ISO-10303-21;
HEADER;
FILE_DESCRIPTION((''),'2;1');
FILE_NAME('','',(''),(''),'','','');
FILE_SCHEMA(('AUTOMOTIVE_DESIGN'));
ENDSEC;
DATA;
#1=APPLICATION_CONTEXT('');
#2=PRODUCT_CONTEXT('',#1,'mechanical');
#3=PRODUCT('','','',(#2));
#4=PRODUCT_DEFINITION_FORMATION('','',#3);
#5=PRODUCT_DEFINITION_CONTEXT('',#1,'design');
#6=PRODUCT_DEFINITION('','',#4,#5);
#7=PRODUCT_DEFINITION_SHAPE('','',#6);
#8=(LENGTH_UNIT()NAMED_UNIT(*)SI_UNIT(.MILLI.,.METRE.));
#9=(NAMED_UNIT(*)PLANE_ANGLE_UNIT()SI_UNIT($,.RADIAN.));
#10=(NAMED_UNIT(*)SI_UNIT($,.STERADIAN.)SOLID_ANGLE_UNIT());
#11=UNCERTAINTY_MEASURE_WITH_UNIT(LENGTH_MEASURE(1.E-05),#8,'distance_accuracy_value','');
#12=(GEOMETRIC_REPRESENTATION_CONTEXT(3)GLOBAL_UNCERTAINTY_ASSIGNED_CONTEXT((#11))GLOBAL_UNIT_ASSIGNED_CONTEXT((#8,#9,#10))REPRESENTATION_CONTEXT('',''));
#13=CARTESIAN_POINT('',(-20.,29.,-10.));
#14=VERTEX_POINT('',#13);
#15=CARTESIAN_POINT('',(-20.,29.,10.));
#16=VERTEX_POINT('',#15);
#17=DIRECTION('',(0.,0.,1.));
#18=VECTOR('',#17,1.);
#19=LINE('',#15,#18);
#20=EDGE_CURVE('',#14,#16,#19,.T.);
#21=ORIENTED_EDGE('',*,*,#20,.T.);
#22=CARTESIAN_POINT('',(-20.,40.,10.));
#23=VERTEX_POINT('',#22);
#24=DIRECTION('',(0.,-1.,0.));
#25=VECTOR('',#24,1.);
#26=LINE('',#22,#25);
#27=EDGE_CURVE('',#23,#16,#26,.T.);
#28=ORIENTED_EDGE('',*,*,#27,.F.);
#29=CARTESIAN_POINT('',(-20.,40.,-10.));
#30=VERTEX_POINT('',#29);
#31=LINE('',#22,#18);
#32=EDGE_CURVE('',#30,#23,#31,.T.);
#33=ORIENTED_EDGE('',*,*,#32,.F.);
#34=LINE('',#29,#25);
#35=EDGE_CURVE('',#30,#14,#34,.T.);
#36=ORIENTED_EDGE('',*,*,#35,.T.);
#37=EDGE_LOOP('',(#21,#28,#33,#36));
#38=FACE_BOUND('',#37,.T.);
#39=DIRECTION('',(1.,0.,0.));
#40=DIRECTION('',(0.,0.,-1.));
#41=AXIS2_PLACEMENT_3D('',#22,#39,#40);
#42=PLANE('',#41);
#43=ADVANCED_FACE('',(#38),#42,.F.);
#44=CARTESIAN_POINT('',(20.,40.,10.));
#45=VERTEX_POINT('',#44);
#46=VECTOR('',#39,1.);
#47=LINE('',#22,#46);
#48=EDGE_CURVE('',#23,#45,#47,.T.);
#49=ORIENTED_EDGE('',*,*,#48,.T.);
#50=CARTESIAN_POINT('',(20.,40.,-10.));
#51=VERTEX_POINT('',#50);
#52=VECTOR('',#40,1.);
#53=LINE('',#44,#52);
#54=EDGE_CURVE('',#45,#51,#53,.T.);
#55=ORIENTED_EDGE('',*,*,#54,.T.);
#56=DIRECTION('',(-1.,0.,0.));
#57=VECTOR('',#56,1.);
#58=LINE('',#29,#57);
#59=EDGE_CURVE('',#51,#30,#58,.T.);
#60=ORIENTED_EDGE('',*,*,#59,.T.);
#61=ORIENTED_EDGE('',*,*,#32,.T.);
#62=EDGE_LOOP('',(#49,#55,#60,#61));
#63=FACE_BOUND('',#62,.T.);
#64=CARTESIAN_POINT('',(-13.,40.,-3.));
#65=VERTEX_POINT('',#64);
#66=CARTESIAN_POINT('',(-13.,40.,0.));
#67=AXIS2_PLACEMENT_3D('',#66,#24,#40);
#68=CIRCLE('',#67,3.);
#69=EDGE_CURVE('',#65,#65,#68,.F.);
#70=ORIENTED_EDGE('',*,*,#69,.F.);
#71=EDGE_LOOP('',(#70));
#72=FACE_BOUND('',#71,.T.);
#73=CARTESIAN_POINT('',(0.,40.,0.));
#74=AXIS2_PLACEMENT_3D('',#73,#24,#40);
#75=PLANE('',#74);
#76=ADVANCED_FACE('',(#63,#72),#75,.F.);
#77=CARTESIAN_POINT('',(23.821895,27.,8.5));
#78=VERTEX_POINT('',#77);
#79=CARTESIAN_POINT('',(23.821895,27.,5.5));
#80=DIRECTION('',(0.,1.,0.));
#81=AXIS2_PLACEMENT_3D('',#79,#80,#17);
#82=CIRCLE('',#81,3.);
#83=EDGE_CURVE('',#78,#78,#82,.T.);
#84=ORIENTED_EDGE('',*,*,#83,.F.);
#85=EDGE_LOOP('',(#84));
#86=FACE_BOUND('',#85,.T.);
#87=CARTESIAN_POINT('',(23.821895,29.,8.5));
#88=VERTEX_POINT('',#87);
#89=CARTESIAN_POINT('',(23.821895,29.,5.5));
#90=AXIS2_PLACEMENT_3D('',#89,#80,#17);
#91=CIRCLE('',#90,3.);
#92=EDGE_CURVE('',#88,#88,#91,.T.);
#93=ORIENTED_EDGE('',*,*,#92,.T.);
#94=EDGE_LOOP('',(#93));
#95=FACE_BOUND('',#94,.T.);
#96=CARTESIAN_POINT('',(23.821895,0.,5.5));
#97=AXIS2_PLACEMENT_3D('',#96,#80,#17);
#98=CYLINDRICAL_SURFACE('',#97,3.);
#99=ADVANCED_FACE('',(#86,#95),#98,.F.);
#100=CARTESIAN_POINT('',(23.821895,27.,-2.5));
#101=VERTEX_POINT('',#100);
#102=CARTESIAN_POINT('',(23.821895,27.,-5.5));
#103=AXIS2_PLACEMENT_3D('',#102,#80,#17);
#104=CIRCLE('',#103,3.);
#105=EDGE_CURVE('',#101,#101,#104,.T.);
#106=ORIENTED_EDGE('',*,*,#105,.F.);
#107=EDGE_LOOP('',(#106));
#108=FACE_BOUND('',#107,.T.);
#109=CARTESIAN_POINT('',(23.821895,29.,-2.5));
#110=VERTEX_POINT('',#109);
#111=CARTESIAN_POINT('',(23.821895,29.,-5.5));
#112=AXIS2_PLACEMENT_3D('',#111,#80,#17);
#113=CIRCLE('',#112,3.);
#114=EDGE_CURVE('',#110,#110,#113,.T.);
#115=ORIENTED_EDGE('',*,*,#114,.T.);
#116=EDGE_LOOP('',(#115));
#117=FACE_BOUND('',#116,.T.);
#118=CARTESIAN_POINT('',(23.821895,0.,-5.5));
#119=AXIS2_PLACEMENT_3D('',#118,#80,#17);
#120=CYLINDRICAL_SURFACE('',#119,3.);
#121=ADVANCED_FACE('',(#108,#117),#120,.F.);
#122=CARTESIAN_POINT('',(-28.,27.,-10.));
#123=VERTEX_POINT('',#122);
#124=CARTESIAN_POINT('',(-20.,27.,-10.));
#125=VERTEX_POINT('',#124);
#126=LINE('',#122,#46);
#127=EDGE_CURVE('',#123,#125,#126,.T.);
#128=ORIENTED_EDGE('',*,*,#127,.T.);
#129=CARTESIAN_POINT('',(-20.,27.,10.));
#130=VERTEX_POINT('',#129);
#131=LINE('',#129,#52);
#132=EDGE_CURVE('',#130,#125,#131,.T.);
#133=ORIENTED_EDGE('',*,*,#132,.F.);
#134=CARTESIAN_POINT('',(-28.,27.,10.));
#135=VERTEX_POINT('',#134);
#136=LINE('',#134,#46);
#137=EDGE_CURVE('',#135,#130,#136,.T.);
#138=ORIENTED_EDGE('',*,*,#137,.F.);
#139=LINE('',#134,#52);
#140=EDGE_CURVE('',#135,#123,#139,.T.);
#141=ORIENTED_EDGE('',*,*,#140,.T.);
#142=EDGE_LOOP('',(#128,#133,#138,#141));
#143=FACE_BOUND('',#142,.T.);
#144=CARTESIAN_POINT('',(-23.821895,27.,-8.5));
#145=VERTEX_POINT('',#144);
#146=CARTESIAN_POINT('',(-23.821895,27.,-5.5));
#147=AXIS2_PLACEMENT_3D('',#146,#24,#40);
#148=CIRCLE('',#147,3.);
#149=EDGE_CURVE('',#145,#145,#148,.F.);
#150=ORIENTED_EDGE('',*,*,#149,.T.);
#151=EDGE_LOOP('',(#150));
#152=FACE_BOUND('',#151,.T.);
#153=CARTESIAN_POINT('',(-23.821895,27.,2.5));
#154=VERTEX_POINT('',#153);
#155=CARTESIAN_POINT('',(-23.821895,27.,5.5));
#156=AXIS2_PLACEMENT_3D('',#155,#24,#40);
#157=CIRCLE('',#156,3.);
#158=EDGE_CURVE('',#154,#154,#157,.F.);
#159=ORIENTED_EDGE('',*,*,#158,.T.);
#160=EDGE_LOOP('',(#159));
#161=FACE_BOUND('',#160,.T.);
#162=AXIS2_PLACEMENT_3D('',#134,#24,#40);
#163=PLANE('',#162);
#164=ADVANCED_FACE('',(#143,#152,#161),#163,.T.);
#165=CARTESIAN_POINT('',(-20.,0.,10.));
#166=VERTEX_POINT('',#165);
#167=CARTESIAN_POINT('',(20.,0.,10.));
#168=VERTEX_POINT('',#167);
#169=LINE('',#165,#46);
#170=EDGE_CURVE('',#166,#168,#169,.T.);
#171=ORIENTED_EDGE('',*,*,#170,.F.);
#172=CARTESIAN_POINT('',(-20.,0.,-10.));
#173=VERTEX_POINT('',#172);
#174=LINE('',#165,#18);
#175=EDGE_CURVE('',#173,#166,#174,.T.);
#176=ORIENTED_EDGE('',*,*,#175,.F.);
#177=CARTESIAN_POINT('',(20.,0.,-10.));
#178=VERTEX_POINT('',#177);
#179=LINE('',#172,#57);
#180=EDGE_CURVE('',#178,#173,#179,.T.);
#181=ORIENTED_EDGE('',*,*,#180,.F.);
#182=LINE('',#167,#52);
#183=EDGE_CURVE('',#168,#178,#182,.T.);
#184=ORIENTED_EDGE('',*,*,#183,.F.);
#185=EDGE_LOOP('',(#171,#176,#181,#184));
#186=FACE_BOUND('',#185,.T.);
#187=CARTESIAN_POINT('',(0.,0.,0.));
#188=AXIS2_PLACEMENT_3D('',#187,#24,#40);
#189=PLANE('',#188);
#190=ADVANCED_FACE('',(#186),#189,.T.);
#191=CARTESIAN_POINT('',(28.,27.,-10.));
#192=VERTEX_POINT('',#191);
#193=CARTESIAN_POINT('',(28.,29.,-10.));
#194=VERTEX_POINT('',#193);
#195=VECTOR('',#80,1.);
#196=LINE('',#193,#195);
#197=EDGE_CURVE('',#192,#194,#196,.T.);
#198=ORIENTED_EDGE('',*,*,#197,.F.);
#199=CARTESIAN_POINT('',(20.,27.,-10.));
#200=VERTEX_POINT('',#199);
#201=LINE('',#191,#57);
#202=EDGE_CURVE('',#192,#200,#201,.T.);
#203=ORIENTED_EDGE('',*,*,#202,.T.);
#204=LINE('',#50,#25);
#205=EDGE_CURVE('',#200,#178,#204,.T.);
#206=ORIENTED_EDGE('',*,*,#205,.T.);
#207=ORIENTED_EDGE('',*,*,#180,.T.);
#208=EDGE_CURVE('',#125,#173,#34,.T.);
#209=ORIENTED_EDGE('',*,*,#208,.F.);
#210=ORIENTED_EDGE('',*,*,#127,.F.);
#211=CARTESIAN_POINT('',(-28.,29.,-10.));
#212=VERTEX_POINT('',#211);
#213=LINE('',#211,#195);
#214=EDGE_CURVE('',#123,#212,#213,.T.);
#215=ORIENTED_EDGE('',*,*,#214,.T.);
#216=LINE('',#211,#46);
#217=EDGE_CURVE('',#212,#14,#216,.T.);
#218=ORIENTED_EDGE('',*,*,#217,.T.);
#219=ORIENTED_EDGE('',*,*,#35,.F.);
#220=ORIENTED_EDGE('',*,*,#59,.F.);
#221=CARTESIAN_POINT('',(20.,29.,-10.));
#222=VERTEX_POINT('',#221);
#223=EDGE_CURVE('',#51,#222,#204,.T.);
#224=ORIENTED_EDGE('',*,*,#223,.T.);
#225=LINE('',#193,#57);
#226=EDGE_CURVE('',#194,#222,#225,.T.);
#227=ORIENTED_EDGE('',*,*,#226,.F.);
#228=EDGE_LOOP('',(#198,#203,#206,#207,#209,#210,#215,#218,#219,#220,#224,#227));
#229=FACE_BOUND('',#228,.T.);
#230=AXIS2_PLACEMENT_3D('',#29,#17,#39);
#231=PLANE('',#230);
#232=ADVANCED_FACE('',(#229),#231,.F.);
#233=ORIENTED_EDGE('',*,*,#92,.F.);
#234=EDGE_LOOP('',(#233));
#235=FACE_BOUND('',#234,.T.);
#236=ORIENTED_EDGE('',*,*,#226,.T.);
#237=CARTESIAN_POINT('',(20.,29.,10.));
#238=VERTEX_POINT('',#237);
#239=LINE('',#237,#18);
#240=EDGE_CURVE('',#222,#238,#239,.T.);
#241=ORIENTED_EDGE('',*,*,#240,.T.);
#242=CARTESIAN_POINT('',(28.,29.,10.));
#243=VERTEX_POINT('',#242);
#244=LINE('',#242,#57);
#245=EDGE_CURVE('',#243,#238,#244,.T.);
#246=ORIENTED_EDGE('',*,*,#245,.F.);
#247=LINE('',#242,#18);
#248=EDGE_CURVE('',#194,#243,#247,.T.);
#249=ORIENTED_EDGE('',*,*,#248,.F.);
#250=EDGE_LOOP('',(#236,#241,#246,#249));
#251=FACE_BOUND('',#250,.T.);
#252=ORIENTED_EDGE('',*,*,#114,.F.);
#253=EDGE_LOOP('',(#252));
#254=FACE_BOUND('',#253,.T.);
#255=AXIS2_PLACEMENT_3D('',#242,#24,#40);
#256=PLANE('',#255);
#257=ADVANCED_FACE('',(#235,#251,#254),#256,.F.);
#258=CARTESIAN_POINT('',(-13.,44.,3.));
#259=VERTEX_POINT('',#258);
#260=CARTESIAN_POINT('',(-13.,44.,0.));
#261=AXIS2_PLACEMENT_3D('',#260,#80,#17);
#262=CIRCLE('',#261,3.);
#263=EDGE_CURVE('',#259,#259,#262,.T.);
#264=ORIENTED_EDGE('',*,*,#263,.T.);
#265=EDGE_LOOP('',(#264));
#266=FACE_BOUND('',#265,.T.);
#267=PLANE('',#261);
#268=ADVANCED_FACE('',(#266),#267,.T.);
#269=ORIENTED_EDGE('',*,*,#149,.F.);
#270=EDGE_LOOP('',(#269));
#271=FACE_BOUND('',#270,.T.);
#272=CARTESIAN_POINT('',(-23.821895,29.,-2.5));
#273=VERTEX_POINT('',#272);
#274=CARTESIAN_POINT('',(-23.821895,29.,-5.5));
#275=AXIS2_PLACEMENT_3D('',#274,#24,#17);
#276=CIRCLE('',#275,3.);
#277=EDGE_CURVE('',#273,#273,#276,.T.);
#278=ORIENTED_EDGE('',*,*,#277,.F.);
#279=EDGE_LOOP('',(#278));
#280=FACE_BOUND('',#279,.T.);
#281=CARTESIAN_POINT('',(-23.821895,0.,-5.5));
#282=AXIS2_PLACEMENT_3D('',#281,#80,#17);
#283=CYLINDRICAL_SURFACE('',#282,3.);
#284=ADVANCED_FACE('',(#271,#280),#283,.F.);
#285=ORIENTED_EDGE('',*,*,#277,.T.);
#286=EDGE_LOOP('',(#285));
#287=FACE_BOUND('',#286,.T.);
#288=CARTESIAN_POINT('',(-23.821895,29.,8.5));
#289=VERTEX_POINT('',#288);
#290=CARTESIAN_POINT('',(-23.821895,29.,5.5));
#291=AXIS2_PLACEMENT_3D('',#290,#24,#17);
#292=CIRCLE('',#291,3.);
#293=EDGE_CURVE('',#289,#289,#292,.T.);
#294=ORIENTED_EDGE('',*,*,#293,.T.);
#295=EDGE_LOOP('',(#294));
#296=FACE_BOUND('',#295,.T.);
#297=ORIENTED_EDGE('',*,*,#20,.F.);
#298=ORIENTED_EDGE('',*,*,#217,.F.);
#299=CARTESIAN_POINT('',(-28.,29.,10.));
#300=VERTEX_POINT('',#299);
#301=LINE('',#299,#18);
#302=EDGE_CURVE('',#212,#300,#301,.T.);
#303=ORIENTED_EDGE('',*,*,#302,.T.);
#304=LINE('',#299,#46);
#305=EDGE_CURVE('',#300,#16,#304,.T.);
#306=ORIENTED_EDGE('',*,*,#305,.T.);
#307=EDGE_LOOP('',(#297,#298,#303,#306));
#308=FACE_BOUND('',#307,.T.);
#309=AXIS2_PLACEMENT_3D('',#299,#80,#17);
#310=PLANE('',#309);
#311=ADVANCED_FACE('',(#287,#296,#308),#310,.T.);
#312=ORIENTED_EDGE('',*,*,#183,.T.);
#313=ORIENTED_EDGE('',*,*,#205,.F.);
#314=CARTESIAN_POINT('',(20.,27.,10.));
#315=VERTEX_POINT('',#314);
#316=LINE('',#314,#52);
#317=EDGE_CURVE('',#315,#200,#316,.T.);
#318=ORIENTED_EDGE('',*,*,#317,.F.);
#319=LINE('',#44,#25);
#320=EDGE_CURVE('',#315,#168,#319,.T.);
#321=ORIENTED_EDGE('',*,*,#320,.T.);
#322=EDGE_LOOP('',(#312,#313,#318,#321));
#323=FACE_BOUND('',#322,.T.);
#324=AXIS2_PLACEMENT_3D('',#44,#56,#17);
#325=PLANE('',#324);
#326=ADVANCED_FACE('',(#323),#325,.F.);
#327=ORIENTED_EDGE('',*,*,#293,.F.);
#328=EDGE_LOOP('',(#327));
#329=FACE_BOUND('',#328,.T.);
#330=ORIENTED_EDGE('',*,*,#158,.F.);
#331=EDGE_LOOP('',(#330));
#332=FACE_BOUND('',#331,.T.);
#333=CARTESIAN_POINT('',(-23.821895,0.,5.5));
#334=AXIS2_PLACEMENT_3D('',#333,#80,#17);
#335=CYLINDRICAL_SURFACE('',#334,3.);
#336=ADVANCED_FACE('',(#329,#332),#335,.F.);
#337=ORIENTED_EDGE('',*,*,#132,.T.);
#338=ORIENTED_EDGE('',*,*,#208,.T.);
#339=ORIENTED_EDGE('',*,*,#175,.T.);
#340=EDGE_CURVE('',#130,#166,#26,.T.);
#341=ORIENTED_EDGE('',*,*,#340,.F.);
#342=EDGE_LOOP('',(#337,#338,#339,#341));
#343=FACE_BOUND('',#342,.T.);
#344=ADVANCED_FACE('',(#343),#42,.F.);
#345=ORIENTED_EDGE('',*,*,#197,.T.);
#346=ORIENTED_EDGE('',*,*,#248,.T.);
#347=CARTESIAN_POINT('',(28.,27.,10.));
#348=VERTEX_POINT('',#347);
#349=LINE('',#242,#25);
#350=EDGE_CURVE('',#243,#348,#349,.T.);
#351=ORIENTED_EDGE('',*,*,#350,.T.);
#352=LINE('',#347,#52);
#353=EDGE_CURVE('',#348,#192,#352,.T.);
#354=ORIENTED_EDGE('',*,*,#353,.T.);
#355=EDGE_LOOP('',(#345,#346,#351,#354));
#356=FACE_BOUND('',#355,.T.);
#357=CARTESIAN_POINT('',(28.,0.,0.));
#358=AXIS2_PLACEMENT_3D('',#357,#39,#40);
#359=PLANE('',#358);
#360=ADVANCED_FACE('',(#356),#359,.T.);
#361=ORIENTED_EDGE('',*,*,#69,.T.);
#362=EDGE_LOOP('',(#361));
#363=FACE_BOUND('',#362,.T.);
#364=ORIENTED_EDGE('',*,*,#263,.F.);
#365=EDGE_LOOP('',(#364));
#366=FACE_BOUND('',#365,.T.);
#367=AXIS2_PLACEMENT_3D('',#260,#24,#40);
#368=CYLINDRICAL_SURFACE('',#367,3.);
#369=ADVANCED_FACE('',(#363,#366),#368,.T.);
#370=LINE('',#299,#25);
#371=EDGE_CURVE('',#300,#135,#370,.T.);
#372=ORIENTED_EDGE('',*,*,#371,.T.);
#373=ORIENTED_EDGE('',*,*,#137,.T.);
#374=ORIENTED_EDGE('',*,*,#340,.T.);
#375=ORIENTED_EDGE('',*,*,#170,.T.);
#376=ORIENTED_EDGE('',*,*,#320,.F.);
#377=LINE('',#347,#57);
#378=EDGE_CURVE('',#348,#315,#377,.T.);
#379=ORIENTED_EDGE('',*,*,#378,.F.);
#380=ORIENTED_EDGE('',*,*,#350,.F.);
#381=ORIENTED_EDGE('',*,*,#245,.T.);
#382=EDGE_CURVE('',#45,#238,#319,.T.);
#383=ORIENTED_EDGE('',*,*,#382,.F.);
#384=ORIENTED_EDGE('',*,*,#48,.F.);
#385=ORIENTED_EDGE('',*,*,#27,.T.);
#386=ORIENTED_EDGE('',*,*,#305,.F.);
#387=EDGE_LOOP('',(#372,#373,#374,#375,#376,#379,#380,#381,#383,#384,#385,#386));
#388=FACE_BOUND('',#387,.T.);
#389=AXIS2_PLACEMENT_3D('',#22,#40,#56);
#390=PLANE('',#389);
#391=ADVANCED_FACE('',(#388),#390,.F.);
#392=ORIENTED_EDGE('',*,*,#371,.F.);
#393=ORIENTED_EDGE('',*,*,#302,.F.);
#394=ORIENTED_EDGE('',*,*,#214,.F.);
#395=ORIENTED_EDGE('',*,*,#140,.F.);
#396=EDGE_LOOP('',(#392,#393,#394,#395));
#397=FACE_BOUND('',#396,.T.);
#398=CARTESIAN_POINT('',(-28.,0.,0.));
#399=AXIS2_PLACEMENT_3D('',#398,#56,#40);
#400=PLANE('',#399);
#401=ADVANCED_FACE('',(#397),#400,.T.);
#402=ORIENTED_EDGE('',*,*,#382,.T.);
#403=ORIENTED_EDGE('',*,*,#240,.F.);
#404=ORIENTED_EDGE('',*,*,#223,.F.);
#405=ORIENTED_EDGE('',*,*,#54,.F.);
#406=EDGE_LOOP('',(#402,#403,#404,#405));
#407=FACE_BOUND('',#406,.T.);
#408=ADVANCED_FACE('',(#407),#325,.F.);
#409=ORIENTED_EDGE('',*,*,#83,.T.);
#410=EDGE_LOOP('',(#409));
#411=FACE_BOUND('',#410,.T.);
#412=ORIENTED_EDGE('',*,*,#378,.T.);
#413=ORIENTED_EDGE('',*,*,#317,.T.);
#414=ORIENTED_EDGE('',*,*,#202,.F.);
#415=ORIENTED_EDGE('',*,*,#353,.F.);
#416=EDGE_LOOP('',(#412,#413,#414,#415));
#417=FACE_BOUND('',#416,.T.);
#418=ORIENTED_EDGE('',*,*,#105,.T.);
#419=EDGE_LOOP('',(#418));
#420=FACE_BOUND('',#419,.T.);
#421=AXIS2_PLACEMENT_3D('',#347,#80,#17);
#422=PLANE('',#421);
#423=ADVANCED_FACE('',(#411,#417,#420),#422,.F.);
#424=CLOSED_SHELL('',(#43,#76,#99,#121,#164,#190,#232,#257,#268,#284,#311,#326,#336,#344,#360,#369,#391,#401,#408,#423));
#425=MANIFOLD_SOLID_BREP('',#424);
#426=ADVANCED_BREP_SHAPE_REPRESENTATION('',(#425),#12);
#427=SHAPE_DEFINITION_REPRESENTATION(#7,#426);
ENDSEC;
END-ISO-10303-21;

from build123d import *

# Parameters (mm, degrees)
SKETCH1_W           = 40
SKETCH1_H           = 20
BOSS_EXTRUDE1_DEPTH = 40
SKETCH2_R           = 3
BOSS_EXTRUDE2_DEPTH = 4
SKETCH3_W           = 20
SKETCH3_H           = 2
BOSS_EXTRUDE3_DEPTH = 8
SKETCH4_R           = 3
CUT_EXTRUDE1_DEPTH  = 30


with BuildPart() as part:
    # Sketch1 → Boss-Extrude1 (new body)
    with BuildSketch(Plane(origin=(0, 0, 0), x_dir=(1, 0, 0), z_dir=(0, 1, 0))):
        Rectangle(SKETCH1_W, SKETCH1_H)
    extrude(amount=BOSS_EXTRUDE1_DEPTH)

    # Sketch2 → Boss-Extrude2 (add)
    with BuildSketch(Plane(origin=(0, 40, 0), x_dir=(1, 0, 0), z_dir=(0, 1, 0))):
        with Locations((-13, 0)):
            Circle(SKETCH2_R)
    extrude(amount=BOSS_EXTRUDE2_DEPTH)

    # Sketch3 → Boss-Extrude3 (add)
    with BuildSketch(Plane(origin=(20, 0, 0), x_dir=(0, 0, -1), z_dir=(1, 0, 0))):
        with Locations((0, 28)):
            Rectangle(SKETCH3_W, SKETCH3_H)
    boss_extrude3 = extrude(amount=BOSS_EXTRUDE3_DEPTH)

    # Sketch4 → Cut-Extrude1 (cut, through all)
    with BuildSketch(Plane(origin=(0, 29, 0), x_dir=(1, 0, 0), z_dir=(0, 1, 0))):
        with Locations((23.821894681, 5.5)):
            Circle(SKETCH4_R)
        with Locations((23.821894681, -5.5)):
            Circle(SKETCH4_R)
    cut_extrude1 = extrude(amount=-CUT_EXTRUDE1_DEPTH, mode=Mode.SUBTRACT)

    # Mirror2: Boss-Extrude3, Cut-Extrude1 across plane
    add(boss_extrude3.mirror(Plane(origin=(0, 0, 0), x_dir=(0, 0, 1), z_dir=(1, 0, 0))))
    add(cut_extrude1.mirror(Plane(origin=(0, 0, 0), x_dir=(0, 0, 1), z_dir=(1, 0, 0))), mode=Mode.SUBTRACT)


solid = part.part
